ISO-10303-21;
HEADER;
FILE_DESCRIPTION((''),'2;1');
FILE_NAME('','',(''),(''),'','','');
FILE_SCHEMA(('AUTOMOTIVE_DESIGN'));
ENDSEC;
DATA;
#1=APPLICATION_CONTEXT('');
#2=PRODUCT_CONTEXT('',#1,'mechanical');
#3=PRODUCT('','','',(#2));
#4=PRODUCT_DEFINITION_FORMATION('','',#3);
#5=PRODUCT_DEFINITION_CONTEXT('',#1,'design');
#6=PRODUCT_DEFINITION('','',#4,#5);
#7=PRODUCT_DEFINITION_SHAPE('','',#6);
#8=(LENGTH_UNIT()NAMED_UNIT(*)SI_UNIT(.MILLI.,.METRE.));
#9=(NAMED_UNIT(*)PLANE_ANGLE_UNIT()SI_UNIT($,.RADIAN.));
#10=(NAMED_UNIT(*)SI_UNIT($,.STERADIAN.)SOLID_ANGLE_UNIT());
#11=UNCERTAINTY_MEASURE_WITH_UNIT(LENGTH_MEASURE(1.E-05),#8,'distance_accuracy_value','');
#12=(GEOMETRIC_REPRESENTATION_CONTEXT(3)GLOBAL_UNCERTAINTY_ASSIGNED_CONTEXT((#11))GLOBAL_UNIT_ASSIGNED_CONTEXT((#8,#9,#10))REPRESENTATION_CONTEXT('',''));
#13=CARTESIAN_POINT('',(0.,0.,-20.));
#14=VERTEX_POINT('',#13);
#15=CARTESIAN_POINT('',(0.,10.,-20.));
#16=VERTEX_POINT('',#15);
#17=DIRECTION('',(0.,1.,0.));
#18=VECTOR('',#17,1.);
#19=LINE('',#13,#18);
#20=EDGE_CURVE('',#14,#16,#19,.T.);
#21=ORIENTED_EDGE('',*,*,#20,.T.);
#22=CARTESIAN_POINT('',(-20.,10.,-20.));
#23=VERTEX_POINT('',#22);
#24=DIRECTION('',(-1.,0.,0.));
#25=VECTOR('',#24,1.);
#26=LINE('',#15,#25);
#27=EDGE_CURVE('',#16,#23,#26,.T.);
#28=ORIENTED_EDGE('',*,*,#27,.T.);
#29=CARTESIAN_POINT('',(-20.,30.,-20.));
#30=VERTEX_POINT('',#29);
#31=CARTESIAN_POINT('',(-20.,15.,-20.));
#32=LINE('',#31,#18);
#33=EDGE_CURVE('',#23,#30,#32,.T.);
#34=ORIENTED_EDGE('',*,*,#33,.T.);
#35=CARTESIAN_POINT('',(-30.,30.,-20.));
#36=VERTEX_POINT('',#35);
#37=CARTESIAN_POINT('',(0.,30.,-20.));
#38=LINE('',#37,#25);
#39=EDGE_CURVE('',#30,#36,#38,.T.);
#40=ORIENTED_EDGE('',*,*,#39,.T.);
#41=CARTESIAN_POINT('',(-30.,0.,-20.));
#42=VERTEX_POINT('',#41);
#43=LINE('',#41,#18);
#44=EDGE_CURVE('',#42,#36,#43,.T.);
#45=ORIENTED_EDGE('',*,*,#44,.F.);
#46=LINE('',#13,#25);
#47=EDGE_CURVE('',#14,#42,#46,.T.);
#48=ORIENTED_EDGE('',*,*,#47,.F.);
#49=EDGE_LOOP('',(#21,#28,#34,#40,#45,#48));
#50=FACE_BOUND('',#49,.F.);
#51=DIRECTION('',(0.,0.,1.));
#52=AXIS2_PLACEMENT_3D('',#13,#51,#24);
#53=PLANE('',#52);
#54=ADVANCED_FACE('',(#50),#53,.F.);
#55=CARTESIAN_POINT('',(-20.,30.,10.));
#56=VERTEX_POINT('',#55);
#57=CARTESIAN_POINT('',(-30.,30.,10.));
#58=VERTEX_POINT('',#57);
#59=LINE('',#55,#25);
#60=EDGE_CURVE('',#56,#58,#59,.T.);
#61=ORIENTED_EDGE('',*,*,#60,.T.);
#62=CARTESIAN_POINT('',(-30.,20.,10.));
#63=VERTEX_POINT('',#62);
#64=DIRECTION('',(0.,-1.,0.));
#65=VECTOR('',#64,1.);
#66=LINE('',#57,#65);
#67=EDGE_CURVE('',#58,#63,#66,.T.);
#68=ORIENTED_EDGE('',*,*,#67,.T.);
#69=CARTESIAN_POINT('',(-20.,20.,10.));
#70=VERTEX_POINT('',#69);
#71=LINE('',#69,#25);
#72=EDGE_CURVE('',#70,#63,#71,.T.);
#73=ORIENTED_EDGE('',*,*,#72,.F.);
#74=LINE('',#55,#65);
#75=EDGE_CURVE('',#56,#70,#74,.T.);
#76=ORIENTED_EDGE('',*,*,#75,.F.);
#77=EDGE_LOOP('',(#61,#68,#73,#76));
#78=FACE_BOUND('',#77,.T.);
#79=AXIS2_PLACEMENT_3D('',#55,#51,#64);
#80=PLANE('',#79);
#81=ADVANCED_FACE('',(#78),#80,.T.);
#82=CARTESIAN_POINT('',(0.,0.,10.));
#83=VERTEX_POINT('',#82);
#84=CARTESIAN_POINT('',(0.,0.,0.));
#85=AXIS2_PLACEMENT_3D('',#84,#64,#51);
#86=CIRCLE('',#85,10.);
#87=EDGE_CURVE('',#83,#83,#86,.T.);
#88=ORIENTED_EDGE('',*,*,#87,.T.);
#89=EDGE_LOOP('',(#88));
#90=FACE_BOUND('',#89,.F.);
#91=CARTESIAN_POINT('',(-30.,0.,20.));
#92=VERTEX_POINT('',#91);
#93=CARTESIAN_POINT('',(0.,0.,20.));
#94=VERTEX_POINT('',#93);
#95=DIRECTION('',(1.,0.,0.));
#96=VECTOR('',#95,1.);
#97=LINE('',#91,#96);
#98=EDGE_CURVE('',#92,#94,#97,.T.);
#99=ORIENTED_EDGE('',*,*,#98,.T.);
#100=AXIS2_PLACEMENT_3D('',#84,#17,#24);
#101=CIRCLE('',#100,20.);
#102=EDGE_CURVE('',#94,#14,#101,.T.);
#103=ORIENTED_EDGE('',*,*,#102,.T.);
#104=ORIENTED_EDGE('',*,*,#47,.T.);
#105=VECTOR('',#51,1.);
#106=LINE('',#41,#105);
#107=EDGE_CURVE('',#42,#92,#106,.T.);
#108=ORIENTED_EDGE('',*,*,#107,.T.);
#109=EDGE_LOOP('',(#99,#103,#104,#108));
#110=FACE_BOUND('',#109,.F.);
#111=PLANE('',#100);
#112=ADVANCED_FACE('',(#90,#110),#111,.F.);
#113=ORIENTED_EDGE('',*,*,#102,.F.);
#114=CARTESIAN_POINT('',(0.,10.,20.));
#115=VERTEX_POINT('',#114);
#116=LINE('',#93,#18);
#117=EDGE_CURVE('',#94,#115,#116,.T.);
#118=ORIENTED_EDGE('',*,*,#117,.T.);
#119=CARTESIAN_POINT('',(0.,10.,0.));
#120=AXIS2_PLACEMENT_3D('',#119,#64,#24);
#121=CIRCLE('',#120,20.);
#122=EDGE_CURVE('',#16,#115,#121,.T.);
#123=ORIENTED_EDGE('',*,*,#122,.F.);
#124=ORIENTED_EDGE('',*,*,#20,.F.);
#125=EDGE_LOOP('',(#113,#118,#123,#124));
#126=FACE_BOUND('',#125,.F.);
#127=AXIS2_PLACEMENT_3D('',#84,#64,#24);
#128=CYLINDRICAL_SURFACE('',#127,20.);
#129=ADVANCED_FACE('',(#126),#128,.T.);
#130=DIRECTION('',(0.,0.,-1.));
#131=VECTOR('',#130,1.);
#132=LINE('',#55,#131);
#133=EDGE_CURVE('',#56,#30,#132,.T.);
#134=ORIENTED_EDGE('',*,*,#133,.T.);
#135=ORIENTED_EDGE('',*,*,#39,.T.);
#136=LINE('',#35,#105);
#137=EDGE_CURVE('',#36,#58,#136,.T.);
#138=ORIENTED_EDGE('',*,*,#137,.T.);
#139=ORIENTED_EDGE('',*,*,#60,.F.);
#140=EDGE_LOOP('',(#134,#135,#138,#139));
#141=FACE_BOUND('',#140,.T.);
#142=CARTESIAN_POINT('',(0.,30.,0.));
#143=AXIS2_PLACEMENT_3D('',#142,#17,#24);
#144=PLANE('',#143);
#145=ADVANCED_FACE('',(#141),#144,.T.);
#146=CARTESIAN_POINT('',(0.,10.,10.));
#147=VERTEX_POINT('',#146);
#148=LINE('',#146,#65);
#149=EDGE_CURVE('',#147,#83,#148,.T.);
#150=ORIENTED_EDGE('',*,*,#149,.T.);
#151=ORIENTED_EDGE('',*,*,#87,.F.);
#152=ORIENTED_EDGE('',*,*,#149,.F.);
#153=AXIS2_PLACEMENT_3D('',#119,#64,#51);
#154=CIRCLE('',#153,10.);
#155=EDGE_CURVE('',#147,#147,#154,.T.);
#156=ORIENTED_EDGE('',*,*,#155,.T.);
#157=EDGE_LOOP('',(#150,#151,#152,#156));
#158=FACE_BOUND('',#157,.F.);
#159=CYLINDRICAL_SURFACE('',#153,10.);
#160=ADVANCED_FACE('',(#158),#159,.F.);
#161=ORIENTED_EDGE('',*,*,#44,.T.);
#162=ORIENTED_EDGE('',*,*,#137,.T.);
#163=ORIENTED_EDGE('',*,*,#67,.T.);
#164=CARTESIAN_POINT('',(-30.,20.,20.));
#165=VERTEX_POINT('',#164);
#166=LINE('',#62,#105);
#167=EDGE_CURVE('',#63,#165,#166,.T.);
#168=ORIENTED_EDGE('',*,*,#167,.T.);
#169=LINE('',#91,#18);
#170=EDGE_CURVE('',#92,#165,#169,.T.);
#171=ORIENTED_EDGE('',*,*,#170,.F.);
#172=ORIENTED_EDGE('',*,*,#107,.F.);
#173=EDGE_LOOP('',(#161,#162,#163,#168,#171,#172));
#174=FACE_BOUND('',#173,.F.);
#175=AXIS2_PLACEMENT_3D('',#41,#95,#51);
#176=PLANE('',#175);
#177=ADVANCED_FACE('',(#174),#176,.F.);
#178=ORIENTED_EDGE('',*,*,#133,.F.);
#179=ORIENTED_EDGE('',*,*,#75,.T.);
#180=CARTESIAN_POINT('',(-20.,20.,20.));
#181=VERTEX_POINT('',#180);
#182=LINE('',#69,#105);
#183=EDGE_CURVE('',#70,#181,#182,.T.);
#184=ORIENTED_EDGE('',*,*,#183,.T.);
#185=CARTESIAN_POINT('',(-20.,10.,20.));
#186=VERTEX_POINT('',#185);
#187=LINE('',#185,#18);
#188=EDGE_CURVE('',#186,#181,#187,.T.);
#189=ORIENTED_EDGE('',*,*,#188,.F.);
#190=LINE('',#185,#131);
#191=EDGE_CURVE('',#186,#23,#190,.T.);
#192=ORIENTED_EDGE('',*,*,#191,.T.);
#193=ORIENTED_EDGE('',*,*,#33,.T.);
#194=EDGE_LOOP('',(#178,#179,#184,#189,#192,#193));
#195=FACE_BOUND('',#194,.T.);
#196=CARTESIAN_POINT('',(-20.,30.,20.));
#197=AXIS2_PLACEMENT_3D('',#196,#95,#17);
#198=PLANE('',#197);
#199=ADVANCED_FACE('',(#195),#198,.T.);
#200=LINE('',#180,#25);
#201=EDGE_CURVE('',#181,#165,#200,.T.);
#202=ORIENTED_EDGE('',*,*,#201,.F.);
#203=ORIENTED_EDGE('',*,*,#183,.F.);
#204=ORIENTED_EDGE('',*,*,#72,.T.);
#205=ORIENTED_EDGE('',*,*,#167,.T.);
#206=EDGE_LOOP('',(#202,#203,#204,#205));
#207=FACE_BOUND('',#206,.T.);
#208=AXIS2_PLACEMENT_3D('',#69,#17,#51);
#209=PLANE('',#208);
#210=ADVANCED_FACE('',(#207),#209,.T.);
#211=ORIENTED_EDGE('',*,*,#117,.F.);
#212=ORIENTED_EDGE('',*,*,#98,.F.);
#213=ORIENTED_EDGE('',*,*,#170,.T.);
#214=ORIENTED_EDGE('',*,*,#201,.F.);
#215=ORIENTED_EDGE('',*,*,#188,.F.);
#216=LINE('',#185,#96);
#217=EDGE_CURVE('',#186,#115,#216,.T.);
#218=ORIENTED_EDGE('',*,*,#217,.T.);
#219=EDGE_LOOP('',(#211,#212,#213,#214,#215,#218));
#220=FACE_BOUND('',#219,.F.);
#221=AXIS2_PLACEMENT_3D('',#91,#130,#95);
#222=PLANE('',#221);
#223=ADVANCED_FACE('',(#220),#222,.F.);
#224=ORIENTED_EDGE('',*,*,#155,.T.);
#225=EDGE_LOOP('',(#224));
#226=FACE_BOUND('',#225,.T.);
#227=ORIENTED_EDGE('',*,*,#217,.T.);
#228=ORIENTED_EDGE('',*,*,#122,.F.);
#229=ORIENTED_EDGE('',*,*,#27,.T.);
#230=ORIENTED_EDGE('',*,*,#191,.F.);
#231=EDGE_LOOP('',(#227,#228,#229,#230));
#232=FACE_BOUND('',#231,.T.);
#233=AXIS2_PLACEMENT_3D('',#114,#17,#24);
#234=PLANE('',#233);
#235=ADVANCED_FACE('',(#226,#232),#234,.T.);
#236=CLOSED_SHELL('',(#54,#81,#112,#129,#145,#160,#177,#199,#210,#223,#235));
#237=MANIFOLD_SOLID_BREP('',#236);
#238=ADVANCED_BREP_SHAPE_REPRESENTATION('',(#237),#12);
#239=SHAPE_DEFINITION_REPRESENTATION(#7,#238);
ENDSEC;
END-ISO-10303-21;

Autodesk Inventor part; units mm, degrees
ref_plane "YZ Plane" through (0, 0, 0) normal (1, 0, 0) x (0, 1, 0)
ref_plane "XZ Plane" through (0, 0, 0) normal (0, 1, 0) x (-1, 0, 0)
ref_plane "XY Plane" through (0, 0, 0) normal (0, 0, 1) x (1, 0, 0)
sketch "草圖1" plane through (0, 0, 0) normal (0, 1, 0) x (-1, 0, 0)
  circle A0 centre (0, 0) radius 20
  line L0 (0, -20) -> (30, -20)
  line L1 (30, -20) -> (30, 20)
  line L2 (30, 20) -> (0, 20)
  line L3 (0, 20) -> (0, -20)
  point P0 (0, 20)
  dimension "d0" = 40
  dimension "d1" = 30
extrude "擠出1" add sketch "草圖1" along normal blind 30
sketch "草圖2" plane through (-30, 0, 20) normal (0, 0, 1) x (1, 0, 0)
  line L0 (0, 0) -> (0, 30) projected
  line L1 (0, 30) -> (30, 30) projected
  line L2 (30, 0) -> (30, 30) projected
  line L3 (30, 0) -> (0, 0) projected
  line L4 (10, 37.5679) -> (66.1175, 37.5679)
  line L5 (66.1175, 37.5679) -> (66.1175, 10)
  line L6 (66.1175, 10) -> (10, 10)
  line L7 (10, 10) -> (10, 37.5679)
  dimension "d4" = 10
  dimension "d5" = 10
extrude "擠出2" cut sketch "草圖2" against normal blind 48.25 contours L7 L4 L5 L6 L2 L1 | L1 L2 L6 L7
sketch "草圖3" plane through (-20, 10, 20) normal (1, 0, 0) x (0, 0, -1)
  line L0 (0, 0) -> (40, 0) projected
  line L1 (40, 20) -> (40, 0) projected
  line L2 (0, 20) -> (40, 20) projected
  line L3 (0, 0) -> (0, 20) projected
  line L4 (0, -10) -> (0, 0) projected
  line L5 (40, -10) -> (0, -10) projected
  line L6 (40, 0) -> (40, -10) projected
  line L7 (40, 20) -> (0, 20) projected
  line L8 (0, 20) -> (10, 20)
  line L9 (10, 20) -> (10, 10)
  line L10 (10, 10) -> (0, 10)
  line L11 (0, 10) -> (0, 20)
  point P0 (20, -10)
  dimension "d8" = 10
  dimension "d9" = 10
extrude "擠出3" cut sketch "草圖3" against normal blind 10 contours L3 L2 L9 L10
sketch "草圖4" plane through (-20, 10, 20) normal (0, 1, 0) x (1, 0, 0)
  arc A0 (20, 0) -> (20, 40) centre (20, 20) ccw projected
hole "孔1" at (0, 10, 0) direction (0, -1, 0) diameter 20 end through all
properties part number "35" material "鋼、碳鋼"
